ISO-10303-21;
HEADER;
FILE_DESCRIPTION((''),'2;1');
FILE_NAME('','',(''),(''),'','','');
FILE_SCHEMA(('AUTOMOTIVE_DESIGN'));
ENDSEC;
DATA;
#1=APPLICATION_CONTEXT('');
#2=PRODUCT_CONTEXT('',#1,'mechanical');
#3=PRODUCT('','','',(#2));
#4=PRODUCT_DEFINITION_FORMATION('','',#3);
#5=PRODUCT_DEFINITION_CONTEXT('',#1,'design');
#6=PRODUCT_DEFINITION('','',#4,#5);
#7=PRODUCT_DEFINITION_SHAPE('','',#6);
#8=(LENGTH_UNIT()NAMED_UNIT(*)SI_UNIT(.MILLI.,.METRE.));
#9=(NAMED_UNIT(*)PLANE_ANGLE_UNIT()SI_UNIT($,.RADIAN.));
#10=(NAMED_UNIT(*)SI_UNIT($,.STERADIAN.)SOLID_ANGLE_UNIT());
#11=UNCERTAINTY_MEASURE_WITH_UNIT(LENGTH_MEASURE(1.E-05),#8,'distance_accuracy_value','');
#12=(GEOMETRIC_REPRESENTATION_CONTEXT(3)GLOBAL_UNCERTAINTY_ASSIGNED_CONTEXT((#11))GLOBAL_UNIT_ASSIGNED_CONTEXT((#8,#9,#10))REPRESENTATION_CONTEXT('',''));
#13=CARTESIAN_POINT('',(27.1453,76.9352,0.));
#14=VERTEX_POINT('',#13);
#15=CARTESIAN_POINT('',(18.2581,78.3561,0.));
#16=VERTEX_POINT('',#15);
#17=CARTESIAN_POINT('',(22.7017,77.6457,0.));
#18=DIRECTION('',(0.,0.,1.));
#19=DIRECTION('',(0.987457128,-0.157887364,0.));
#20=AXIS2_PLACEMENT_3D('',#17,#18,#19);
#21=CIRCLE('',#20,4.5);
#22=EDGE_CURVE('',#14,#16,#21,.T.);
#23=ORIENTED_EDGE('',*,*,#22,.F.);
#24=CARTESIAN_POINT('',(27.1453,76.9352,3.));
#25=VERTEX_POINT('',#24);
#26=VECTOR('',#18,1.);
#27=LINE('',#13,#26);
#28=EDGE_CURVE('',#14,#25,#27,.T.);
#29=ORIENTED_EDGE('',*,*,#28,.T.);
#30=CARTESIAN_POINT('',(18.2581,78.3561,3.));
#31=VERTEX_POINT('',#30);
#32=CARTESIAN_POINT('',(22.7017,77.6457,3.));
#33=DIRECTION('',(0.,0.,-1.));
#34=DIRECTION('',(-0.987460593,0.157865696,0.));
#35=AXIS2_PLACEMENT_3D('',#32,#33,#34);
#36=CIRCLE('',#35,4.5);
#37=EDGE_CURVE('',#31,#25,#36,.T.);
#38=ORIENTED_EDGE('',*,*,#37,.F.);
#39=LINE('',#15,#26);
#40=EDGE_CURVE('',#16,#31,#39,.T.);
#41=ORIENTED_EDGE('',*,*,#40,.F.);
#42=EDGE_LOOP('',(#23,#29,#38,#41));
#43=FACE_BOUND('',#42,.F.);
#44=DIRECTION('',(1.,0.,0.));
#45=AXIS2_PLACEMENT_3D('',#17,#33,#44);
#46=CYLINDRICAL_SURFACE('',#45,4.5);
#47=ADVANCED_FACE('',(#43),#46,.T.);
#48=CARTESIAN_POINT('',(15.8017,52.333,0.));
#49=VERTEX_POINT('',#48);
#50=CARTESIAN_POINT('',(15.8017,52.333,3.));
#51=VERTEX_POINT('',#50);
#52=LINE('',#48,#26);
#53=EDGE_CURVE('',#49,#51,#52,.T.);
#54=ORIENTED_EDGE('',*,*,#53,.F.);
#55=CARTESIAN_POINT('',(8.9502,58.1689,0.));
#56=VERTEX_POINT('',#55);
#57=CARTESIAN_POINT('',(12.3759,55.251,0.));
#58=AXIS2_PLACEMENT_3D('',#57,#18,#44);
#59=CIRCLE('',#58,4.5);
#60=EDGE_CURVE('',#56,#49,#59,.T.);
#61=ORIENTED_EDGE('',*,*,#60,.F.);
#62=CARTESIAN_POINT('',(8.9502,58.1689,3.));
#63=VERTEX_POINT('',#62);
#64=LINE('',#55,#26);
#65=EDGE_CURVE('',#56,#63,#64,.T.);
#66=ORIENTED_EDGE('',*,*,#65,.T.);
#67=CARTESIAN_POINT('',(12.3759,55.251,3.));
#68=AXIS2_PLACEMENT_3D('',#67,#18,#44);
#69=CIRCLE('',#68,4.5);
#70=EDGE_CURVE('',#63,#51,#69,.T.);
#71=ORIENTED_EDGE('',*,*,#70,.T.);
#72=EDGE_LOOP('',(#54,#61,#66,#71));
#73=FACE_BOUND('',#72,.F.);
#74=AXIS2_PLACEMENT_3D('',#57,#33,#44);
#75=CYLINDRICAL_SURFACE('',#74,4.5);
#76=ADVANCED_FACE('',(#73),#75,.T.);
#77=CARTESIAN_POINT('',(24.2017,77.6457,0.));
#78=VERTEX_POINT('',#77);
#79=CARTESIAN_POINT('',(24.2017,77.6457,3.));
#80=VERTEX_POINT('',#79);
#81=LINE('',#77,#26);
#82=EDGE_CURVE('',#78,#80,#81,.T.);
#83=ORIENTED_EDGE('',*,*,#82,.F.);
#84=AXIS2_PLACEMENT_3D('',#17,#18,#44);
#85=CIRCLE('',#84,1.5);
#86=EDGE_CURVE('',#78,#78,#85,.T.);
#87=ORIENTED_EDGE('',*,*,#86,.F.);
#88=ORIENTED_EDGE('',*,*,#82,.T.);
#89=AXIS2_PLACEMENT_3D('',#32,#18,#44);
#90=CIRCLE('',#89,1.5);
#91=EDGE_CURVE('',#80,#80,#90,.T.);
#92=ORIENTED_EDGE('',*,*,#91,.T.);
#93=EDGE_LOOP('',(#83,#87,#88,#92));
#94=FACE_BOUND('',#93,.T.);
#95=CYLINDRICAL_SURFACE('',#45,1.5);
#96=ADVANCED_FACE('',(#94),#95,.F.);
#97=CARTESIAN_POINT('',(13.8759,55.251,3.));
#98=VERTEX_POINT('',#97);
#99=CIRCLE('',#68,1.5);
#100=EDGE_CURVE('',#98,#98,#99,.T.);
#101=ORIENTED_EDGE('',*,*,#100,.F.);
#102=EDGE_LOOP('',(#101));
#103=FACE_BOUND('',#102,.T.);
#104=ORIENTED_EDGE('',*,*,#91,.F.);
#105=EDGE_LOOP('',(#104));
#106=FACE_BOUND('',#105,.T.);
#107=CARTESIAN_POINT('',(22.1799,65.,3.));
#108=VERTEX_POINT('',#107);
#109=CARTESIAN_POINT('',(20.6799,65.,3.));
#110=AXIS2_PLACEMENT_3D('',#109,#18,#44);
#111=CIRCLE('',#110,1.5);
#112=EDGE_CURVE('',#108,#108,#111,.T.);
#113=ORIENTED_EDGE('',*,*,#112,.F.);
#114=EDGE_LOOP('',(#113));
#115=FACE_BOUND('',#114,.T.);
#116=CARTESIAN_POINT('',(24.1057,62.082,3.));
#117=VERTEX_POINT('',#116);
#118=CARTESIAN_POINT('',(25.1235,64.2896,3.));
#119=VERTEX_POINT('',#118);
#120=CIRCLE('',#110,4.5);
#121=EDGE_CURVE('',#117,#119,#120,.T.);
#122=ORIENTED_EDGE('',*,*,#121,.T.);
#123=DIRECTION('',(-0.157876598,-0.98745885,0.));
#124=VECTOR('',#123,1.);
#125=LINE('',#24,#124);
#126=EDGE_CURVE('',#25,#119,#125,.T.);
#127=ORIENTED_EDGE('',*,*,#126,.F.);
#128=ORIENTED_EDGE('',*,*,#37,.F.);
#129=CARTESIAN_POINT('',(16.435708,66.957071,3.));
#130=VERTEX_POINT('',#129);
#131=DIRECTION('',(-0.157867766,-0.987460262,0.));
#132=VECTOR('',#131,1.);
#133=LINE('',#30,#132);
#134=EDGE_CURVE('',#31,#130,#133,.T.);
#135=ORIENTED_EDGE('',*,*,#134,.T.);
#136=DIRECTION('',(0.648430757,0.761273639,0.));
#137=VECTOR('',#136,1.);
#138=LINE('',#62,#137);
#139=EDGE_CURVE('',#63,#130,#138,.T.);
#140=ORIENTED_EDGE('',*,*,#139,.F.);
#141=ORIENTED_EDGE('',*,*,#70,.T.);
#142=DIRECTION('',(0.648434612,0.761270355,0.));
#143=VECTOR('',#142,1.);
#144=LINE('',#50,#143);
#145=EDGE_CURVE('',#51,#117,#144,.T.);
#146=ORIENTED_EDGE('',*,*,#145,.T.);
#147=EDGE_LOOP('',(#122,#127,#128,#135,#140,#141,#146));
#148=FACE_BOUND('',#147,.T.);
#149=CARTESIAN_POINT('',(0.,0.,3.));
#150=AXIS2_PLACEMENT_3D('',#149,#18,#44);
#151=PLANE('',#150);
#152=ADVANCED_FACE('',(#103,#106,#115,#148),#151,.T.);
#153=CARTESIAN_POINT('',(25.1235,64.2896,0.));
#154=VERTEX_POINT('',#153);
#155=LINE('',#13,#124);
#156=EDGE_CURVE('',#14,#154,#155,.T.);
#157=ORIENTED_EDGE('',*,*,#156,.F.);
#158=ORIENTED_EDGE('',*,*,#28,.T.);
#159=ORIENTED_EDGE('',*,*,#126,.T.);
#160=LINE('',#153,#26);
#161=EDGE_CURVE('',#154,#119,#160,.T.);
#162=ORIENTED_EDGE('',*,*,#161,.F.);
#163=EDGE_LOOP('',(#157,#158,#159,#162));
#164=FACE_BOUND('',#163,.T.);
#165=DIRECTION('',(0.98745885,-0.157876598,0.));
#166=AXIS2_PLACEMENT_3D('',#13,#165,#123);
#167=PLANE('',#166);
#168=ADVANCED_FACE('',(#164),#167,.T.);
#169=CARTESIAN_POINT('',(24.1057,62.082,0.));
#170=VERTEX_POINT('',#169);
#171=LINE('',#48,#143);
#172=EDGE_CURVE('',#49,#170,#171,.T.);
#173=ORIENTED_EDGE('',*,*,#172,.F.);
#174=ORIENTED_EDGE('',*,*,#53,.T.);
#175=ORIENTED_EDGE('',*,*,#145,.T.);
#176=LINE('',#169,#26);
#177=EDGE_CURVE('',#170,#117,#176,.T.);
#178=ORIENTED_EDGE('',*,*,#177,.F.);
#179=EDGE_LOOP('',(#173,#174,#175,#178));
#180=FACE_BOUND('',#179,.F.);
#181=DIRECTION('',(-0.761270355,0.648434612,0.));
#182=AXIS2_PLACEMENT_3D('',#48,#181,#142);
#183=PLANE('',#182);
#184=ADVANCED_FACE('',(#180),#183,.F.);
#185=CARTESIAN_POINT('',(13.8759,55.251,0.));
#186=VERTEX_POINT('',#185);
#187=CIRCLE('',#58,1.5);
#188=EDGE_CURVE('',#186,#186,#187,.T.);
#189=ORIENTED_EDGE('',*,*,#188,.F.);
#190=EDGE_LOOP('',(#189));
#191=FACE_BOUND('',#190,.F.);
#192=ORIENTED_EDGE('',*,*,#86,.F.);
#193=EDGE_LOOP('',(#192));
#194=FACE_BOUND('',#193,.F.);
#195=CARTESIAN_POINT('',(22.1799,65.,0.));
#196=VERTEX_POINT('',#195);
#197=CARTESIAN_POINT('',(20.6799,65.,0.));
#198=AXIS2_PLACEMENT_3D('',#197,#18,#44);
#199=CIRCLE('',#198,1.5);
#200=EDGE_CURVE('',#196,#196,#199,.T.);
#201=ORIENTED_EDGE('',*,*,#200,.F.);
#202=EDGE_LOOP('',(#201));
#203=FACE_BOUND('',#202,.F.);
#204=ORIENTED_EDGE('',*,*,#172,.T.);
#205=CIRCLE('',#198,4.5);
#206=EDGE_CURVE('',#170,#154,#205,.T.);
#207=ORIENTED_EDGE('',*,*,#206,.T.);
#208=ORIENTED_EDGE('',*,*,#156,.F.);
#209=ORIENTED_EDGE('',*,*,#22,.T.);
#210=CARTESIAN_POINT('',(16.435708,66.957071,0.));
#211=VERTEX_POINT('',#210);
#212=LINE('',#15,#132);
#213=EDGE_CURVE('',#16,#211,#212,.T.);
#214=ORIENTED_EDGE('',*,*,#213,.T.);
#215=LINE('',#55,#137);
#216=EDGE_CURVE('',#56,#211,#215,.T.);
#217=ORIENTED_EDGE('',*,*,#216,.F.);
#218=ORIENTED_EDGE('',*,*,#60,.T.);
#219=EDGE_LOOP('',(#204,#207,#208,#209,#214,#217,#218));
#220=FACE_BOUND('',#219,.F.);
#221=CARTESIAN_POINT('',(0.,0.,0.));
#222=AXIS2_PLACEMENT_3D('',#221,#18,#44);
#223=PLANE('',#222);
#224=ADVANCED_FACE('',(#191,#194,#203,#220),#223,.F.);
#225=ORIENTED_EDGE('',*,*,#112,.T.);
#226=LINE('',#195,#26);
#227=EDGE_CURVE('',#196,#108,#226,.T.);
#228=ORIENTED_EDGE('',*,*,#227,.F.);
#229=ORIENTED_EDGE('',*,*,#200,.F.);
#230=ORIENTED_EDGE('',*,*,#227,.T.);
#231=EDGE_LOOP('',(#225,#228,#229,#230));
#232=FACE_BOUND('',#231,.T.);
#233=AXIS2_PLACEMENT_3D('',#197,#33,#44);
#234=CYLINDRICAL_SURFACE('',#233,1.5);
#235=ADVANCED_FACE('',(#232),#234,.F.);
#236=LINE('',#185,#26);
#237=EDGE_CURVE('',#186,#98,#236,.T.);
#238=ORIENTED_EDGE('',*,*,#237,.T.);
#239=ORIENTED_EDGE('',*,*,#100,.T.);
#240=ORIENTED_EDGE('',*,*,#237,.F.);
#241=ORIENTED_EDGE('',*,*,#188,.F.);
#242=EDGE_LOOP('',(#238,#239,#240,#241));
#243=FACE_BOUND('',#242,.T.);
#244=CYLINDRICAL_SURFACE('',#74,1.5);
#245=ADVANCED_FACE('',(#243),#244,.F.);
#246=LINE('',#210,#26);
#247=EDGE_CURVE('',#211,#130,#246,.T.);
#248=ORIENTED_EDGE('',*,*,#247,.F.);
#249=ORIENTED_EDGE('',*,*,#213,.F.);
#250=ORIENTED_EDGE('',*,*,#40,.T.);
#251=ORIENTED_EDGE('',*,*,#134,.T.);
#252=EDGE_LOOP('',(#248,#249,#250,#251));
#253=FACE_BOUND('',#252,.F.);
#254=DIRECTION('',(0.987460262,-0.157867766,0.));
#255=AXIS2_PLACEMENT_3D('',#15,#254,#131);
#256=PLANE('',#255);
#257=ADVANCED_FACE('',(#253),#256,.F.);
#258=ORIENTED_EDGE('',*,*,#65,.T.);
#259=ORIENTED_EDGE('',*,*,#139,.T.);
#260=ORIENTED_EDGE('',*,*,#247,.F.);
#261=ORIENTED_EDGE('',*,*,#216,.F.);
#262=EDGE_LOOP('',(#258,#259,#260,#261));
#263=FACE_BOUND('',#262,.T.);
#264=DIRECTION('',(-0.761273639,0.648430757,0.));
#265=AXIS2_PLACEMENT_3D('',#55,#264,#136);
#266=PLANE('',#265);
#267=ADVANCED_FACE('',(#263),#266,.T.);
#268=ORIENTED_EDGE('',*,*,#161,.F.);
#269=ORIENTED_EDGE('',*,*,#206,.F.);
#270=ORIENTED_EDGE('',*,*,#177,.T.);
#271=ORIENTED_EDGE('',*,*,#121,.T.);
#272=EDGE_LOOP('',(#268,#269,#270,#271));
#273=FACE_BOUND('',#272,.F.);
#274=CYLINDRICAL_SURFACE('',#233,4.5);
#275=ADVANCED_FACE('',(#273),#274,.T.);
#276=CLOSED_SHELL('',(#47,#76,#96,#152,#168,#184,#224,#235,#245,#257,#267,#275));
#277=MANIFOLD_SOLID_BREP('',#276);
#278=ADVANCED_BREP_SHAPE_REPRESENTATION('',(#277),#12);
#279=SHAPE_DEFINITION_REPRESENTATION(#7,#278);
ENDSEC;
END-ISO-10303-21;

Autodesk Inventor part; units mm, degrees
ref_plane "YZ Plane" through (0, 0, 0) normal (1, 0, 0) x (0, 1, 0)
ref_plane "XZ Plane" through (0, 0, 0) normal (0, 1, 0) x (-1, 0, 0)
ref_plane "XY Plane" through (0, 0, 0) normal (0, 0, 1) x (1, 0, 0)
sketch "スケッチ1" plane through (0, 0, 0) normal (0, 0, 1) x (1, 0, 0)
  circle A0 centre (12.3759, 55.251) radius 1.5
  circle A1 centre (22.7017, 77.6457) radius 1.5
  circle A2 centre (20.6799, 65) radius 1.5
  circle A3 centre (22.7017, 77.6457) radius 4.5
  circle A4 centre (20.6799, 65) radius 4.5
  circle A5 centre (12.3759, 55.251) radius 4.5
  line L0 (8.9502, 58.1689) -> (17.2542, 67.918)
  line L1 (18.2581, 78.3561) -> (16.2364, 65.7104)
  line L2 (27.1453, 76.9352) -> (25.1235, 64.2896)
  line L3 (15.8017, 52.333) -> (24.1057, 62.082)
  point P0 (0, 0)
  point P1 (0, 0)
  point P2 (16.4357, 66.957)
  dimension "d0" = 3
  dimension "d1" = 3
  dimension "d2" = 3
extrude "押し出し1" add sketch "スケッチ1" along normal blind 3
properties part number "段ばね抑え2" material "アセタール樹脂、白"
